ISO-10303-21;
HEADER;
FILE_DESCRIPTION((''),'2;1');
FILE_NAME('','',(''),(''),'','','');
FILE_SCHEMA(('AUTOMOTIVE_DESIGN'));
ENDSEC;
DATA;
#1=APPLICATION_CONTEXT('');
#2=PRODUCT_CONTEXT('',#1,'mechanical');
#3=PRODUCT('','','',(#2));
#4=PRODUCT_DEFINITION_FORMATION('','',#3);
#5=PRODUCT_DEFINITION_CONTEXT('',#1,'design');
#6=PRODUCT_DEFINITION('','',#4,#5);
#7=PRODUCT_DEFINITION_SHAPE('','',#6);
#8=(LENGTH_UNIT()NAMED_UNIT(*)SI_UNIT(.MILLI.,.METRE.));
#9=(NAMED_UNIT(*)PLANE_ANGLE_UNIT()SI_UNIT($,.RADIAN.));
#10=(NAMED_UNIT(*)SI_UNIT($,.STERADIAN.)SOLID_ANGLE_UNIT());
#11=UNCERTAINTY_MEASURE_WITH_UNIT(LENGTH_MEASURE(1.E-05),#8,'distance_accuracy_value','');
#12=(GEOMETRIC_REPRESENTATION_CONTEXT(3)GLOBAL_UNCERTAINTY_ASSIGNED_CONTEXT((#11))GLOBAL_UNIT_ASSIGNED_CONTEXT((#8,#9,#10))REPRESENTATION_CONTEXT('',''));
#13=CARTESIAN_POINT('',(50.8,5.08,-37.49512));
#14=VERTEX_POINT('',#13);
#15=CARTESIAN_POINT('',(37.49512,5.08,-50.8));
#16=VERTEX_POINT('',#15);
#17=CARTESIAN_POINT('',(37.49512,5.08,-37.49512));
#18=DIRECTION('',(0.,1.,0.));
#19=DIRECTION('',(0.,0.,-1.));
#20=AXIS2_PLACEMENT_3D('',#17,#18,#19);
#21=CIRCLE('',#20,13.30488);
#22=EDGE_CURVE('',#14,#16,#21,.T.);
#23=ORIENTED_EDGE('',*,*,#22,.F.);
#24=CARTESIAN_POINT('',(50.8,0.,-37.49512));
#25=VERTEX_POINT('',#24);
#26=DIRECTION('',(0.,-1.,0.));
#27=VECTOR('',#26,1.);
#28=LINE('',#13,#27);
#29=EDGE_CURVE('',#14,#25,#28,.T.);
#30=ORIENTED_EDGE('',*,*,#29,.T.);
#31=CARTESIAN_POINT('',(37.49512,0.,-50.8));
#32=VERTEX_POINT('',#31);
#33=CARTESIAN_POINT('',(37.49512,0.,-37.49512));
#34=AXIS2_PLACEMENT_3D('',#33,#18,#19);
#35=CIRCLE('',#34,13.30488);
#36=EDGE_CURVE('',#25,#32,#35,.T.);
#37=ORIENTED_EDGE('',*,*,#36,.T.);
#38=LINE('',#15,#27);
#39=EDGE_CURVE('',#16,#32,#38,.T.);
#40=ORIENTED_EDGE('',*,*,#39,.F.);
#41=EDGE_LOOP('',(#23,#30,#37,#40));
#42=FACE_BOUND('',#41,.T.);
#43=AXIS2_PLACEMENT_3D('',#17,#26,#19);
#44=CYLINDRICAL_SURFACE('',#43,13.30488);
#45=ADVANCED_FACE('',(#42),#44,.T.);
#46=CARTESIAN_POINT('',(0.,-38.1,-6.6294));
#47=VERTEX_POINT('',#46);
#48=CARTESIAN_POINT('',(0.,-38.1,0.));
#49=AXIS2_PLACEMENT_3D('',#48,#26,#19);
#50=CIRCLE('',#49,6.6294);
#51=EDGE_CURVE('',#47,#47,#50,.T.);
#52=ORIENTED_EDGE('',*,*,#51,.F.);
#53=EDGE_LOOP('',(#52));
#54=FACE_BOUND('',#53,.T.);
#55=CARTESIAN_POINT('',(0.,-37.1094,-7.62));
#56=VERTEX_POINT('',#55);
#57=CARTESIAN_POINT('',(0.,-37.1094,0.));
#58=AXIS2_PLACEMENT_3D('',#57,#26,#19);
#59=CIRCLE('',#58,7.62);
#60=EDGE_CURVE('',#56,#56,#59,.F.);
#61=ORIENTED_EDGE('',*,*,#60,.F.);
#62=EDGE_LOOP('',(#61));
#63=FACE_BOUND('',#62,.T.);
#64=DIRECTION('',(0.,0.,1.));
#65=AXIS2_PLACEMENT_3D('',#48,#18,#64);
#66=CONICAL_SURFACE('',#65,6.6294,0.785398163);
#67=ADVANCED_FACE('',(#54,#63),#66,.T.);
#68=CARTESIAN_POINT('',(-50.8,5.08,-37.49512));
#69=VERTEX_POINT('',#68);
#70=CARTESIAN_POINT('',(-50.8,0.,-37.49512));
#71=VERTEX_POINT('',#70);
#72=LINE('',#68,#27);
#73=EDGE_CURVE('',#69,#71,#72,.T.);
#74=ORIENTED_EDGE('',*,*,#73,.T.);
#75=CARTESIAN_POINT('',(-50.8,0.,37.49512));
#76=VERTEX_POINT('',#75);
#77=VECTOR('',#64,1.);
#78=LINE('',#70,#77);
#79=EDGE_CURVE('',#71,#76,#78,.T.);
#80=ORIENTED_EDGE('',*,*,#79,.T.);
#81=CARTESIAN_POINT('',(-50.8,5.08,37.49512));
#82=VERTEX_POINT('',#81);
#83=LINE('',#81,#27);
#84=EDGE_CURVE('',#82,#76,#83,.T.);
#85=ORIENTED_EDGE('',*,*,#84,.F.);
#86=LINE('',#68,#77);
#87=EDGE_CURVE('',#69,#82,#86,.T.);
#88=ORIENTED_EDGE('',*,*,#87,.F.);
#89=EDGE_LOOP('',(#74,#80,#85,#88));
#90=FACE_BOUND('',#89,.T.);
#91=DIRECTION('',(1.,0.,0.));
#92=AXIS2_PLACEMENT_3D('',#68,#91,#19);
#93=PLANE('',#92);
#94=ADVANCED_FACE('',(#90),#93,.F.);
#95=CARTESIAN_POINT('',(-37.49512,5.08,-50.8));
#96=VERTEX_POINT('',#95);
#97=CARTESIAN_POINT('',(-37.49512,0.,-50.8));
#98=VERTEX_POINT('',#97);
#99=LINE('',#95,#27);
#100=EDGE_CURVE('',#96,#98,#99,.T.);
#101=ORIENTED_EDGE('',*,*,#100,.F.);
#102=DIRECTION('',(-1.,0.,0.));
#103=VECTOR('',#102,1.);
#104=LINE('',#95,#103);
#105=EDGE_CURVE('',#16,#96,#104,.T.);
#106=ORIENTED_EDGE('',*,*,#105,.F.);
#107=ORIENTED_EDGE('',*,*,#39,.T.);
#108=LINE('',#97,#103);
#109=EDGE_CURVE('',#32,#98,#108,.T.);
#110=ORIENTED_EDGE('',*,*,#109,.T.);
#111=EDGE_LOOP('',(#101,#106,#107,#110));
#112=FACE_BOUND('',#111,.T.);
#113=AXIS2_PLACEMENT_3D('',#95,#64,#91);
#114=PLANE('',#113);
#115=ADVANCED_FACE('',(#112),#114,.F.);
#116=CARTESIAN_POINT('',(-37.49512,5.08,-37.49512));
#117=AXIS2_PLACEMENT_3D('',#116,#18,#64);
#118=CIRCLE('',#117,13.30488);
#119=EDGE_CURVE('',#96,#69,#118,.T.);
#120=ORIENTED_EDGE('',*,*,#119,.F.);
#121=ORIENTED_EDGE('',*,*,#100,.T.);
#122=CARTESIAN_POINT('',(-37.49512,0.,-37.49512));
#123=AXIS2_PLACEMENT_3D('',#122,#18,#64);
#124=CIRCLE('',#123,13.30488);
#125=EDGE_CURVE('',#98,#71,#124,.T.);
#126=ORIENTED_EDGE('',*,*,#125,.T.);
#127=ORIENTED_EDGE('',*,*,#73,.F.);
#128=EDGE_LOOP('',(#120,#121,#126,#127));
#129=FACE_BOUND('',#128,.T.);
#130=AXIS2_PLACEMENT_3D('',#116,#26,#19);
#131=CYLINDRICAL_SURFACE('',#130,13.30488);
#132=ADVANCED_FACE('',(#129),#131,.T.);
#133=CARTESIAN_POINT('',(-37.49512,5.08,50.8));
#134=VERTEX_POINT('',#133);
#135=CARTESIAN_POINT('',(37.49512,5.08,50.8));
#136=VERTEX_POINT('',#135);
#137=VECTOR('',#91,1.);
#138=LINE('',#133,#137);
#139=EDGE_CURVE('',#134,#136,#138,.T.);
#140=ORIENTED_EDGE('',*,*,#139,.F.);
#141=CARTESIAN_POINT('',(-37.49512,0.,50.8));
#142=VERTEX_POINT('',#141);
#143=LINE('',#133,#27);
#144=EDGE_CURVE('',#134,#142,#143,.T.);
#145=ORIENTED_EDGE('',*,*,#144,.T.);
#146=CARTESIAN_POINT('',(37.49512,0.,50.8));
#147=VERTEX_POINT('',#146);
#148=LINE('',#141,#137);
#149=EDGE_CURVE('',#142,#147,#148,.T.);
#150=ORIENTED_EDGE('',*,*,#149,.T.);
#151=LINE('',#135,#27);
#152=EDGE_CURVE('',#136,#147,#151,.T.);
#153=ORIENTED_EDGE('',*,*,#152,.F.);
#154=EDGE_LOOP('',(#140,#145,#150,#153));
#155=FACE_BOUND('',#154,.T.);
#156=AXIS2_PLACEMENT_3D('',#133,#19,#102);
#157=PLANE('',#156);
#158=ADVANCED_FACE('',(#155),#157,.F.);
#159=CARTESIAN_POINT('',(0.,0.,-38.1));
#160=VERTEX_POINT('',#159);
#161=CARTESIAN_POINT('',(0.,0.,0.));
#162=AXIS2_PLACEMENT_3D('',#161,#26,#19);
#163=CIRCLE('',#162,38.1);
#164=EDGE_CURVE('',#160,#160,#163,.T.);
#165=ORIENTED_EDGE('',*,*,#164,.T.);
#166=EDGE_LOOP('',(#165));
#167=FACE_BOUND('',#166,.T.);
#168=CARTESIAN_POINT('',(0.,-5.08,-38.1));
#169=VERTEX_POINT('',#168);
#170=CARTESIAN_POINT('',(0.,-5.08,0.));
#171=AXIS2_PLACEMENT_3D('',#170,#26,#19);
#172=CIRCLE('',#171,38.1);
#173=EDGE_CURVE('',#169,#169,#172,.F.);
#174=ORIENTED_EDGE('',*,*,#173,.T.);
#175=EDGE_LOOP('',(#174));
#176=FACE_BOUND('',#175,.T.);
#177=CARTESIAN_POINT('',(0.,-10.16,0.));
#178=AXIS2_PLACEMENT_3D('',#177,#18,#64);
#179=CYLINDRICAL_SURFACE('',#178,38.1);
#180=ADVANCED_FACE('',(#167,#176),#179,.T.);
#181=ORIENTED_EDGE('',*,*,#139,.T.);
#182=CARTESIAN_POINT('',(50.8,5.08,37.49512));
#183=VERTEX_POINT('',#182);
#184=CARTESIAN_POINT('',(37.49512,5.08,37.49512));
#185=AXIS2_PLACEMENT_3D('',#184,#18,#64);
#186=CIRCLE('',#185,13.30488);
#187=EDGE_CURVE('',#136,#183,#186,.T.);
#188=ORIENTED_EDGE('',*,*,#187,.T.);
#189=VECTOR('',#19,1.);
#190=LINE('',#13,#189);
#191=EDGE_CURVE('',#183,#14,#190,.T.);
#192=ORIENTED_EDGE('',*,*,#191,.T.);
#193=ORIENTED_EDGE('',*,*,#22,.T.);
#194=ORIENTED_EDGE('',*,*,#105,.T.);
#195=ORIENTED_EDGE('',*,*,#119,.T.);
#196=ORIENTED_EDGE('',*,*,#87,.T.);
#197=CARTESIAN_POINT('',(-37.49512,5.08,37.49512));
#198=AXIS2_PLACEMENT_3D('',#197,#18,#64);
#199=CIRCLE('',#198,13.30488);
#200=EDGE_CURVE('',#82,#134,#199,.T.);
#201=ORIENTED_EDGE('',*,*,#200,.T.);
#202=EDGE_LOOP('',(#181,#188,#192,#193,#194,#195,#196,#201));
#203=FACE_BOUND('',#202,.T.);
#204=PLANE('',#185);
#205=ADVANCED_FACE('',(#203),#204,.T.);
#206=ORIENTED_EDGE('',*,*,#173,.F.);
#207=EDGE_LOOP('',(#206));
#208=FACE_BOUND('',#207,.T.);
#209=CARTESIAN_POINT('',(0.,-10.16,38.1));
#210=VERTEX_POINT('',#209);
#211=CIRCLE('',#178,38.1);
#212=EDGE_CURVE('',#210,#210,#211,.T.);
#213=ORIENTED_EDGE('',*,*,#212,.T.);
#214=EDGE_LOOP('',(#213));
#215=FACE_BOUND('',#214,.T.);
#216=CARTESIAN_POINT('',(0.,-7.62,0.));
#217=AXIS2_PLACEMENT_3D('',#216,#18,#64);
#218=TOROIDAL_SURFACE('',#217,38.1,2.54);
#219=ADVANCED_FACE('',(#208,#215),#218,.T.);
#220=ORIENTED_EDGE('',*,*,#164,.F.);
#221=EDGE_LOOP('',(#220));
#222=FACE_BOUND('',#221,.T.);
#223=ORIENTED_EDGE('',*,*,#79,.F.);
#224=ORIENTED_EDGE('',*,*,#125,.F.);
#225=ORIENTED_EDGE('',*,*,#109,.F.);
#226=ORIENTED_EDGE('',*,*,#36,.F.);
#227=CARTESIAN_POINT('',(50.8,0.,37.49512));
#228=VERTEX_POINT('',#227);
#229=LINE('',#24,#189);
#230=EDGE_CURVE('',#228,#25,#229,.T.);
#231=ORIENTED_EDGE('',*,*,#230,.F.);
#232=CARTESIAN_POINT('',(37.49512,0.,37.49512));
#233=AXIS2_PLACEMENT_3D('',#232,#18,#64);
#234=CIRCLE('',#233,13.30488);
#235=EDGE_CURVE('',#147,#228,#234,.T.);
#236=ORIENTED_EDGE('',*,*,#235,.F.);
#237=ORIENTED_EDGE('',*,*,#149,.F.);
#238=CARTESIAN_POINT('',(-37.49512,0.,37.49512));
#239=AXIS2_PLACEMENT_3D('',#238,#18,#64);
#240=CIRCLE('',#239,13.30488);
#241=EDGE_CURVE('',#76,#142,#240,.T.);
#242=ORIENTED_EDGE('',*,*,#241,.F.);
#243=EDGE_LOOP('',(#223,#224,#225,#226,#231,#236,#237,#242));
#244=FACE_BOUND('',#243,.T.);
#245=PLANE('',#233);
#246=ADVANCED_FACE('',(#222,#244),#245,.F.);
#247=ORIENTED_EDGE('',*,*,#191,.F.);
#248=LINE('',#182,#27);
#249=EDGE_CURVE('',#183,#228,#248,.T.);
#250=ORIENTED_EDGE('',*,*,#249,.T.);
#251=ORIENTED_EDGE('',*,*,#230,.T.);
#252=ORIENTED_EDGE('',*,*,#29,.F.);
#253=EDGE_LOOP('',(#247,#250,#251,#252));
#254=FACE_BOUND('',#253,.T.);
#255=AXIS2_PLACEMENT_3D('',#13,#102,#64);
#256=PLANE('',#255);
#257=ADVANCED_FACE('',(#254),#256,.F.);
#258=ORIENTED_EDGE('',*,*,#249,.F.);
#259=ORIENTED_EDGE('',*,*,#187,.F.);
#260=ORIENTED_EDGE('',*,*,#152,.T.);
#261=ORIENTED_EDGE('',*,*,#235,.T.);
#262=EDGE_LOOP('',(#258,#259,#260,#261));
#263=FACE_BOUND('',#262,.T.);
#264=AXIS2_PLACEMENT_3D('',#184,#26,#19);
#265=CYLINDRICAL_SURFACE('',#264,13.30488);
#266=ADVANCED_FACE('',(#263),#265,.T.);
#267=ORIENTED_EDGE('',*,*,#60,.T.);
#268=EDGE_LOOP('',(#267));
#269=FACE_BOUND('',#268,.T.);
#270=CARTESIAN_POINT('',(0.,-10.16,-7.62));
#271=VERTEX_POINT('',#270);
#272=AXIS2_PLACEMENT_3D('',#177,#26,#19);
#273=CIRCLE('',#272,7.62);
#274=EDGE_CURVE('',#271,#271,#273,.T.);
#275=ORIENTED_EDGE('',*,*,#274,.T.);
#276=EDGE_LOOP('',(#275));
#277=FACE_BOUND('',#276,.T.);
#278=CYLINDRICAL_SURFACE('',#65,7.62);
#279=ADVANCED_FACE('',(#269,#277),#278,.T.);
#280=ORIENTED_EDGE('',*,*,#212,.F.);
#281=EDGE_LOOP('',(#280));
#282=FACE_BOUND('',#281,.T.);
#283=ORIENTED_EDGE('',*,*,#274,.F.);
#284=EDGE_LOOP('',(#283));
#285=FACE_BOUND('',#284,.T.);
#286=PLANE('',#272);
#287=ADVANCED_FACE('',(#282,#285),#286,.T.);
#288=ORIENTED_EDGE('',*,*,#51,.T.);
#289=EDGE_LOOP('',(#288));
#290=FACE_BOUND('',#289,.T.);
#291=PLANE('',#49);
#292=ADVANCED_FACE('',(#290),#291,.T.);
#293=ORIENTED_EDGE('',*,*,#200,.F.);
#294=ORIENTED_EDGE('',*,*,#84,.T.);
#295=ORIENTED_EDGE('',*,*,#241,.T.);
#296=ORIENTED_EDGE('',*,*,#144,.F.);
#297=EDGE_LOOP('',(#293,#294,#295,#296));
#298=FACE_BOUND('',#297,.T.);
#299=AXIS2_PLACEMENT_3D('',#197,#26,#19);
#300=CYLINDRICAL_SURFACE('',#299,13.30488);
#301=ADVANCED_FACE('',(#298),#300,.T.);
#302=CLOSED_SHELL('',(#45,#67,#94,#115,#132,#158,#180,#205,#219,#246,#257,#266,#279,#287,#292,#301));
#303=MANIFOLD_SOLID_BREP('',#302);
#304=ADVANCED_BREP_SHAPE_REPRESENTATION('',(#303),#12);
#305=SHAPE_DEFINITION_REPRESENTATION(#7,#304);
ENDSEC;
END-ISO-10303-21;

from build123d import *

# Parameters (mm, degrees)
BOSS_EXTRUDE1_DEPTH = 5.08
SKETCH2_R           = 38.1
BOSS_EXTRUDE2_DEPTH = 10.16
SKETCH3_R           = 2.54
SKETCH5_R           = 7.62
BOSS_EXTRUDE3_DEPTH = 27.94
CHAMFER4_SIZE       = 0.9906


with BuildPart() as part:
    # Sketch1 → Boss-Extrude1 (new body)
    with BuildSketch(Plane(origin=(0, 0, 0), x_dir=(1, 0, 0), z_dir=(0, 1, 0))):
        with BuildLine():
            Line((-37.495119859, 50.8), (37.495119859, 50.8))
            ThreePointArc((37.495119859, 50.8), (46.90309083, 46.90309083), (50.8, 37.495119859))
            Line((50.8, 37.495119859), (50.8, -37.495119859))
            ThreePointArc((50.8, -37.495119859), (46.90309083, -46.90309083), (37.495119859, -50.8))
            Line((37.495119859, -50.8), (-37.495119859, -50.8))
            ThreePointArc((-37.495119859, -50.8), (-46.90309083, -46.90309083), (-50.8, -37.495119859))
            Line((-50.8, -37.495119859), (-50.8, 37.495119859))
            ThreePointArc((-50.8, 37.495119859), (-46.90309083, 46.90309083), (-37.495119859, 50.8))
        make_face()
    extrude(amount=BOSS_EXTRUDE1_DEPTH)

    # Sketch2 → Boss-Extrude2 (add)
    with BuildSketch(Plane.XZ):
        with Locations(Location((0, 0, 0), (0, 0, 270))):
            Circle(SKETCH2_R)
    extrude(amount=BOSS_EXTRUDE2_DEPTH)

    # Sketch3 → Revolve1 (revolve)
    with BuildSketch(Plane(origin=(0, 0, 0), x_dir=(0, 0, -1), z_dir=(1, 0, 0)), mode=Mode.PRIVATE) as revolve1_sk:
        with Locations((-38.1, -7.62)):
            Circle(SKETCH3_R)
    revolve(revolve1_sk.sketch.rotate(Axis((0, 0, 0), (0, -1, 0)), 180), axis=Axis((0, 0, 0), (0, -1, 0)))

    # Sketch5 → Boss-Extrude3 (add)
    with BuildSketch(Plane.XZ.offset(10.16)):
        with Locations(Location((0, 0, 0), (0, 0, 270))):
            Circle(SKETCH5_R)
    extrude(amount=BOSS_EXTRUDE3_DEPTH)

    # Chamfer4
    chamfer4_edges = [part.edges().sort_by_distance(p)[0] for p in [
        (0, -38.1, 7.62),
    ]]
    chamfer(chamfer4_edges, length=CHAMFER4_SIZE)


solid = part.part
